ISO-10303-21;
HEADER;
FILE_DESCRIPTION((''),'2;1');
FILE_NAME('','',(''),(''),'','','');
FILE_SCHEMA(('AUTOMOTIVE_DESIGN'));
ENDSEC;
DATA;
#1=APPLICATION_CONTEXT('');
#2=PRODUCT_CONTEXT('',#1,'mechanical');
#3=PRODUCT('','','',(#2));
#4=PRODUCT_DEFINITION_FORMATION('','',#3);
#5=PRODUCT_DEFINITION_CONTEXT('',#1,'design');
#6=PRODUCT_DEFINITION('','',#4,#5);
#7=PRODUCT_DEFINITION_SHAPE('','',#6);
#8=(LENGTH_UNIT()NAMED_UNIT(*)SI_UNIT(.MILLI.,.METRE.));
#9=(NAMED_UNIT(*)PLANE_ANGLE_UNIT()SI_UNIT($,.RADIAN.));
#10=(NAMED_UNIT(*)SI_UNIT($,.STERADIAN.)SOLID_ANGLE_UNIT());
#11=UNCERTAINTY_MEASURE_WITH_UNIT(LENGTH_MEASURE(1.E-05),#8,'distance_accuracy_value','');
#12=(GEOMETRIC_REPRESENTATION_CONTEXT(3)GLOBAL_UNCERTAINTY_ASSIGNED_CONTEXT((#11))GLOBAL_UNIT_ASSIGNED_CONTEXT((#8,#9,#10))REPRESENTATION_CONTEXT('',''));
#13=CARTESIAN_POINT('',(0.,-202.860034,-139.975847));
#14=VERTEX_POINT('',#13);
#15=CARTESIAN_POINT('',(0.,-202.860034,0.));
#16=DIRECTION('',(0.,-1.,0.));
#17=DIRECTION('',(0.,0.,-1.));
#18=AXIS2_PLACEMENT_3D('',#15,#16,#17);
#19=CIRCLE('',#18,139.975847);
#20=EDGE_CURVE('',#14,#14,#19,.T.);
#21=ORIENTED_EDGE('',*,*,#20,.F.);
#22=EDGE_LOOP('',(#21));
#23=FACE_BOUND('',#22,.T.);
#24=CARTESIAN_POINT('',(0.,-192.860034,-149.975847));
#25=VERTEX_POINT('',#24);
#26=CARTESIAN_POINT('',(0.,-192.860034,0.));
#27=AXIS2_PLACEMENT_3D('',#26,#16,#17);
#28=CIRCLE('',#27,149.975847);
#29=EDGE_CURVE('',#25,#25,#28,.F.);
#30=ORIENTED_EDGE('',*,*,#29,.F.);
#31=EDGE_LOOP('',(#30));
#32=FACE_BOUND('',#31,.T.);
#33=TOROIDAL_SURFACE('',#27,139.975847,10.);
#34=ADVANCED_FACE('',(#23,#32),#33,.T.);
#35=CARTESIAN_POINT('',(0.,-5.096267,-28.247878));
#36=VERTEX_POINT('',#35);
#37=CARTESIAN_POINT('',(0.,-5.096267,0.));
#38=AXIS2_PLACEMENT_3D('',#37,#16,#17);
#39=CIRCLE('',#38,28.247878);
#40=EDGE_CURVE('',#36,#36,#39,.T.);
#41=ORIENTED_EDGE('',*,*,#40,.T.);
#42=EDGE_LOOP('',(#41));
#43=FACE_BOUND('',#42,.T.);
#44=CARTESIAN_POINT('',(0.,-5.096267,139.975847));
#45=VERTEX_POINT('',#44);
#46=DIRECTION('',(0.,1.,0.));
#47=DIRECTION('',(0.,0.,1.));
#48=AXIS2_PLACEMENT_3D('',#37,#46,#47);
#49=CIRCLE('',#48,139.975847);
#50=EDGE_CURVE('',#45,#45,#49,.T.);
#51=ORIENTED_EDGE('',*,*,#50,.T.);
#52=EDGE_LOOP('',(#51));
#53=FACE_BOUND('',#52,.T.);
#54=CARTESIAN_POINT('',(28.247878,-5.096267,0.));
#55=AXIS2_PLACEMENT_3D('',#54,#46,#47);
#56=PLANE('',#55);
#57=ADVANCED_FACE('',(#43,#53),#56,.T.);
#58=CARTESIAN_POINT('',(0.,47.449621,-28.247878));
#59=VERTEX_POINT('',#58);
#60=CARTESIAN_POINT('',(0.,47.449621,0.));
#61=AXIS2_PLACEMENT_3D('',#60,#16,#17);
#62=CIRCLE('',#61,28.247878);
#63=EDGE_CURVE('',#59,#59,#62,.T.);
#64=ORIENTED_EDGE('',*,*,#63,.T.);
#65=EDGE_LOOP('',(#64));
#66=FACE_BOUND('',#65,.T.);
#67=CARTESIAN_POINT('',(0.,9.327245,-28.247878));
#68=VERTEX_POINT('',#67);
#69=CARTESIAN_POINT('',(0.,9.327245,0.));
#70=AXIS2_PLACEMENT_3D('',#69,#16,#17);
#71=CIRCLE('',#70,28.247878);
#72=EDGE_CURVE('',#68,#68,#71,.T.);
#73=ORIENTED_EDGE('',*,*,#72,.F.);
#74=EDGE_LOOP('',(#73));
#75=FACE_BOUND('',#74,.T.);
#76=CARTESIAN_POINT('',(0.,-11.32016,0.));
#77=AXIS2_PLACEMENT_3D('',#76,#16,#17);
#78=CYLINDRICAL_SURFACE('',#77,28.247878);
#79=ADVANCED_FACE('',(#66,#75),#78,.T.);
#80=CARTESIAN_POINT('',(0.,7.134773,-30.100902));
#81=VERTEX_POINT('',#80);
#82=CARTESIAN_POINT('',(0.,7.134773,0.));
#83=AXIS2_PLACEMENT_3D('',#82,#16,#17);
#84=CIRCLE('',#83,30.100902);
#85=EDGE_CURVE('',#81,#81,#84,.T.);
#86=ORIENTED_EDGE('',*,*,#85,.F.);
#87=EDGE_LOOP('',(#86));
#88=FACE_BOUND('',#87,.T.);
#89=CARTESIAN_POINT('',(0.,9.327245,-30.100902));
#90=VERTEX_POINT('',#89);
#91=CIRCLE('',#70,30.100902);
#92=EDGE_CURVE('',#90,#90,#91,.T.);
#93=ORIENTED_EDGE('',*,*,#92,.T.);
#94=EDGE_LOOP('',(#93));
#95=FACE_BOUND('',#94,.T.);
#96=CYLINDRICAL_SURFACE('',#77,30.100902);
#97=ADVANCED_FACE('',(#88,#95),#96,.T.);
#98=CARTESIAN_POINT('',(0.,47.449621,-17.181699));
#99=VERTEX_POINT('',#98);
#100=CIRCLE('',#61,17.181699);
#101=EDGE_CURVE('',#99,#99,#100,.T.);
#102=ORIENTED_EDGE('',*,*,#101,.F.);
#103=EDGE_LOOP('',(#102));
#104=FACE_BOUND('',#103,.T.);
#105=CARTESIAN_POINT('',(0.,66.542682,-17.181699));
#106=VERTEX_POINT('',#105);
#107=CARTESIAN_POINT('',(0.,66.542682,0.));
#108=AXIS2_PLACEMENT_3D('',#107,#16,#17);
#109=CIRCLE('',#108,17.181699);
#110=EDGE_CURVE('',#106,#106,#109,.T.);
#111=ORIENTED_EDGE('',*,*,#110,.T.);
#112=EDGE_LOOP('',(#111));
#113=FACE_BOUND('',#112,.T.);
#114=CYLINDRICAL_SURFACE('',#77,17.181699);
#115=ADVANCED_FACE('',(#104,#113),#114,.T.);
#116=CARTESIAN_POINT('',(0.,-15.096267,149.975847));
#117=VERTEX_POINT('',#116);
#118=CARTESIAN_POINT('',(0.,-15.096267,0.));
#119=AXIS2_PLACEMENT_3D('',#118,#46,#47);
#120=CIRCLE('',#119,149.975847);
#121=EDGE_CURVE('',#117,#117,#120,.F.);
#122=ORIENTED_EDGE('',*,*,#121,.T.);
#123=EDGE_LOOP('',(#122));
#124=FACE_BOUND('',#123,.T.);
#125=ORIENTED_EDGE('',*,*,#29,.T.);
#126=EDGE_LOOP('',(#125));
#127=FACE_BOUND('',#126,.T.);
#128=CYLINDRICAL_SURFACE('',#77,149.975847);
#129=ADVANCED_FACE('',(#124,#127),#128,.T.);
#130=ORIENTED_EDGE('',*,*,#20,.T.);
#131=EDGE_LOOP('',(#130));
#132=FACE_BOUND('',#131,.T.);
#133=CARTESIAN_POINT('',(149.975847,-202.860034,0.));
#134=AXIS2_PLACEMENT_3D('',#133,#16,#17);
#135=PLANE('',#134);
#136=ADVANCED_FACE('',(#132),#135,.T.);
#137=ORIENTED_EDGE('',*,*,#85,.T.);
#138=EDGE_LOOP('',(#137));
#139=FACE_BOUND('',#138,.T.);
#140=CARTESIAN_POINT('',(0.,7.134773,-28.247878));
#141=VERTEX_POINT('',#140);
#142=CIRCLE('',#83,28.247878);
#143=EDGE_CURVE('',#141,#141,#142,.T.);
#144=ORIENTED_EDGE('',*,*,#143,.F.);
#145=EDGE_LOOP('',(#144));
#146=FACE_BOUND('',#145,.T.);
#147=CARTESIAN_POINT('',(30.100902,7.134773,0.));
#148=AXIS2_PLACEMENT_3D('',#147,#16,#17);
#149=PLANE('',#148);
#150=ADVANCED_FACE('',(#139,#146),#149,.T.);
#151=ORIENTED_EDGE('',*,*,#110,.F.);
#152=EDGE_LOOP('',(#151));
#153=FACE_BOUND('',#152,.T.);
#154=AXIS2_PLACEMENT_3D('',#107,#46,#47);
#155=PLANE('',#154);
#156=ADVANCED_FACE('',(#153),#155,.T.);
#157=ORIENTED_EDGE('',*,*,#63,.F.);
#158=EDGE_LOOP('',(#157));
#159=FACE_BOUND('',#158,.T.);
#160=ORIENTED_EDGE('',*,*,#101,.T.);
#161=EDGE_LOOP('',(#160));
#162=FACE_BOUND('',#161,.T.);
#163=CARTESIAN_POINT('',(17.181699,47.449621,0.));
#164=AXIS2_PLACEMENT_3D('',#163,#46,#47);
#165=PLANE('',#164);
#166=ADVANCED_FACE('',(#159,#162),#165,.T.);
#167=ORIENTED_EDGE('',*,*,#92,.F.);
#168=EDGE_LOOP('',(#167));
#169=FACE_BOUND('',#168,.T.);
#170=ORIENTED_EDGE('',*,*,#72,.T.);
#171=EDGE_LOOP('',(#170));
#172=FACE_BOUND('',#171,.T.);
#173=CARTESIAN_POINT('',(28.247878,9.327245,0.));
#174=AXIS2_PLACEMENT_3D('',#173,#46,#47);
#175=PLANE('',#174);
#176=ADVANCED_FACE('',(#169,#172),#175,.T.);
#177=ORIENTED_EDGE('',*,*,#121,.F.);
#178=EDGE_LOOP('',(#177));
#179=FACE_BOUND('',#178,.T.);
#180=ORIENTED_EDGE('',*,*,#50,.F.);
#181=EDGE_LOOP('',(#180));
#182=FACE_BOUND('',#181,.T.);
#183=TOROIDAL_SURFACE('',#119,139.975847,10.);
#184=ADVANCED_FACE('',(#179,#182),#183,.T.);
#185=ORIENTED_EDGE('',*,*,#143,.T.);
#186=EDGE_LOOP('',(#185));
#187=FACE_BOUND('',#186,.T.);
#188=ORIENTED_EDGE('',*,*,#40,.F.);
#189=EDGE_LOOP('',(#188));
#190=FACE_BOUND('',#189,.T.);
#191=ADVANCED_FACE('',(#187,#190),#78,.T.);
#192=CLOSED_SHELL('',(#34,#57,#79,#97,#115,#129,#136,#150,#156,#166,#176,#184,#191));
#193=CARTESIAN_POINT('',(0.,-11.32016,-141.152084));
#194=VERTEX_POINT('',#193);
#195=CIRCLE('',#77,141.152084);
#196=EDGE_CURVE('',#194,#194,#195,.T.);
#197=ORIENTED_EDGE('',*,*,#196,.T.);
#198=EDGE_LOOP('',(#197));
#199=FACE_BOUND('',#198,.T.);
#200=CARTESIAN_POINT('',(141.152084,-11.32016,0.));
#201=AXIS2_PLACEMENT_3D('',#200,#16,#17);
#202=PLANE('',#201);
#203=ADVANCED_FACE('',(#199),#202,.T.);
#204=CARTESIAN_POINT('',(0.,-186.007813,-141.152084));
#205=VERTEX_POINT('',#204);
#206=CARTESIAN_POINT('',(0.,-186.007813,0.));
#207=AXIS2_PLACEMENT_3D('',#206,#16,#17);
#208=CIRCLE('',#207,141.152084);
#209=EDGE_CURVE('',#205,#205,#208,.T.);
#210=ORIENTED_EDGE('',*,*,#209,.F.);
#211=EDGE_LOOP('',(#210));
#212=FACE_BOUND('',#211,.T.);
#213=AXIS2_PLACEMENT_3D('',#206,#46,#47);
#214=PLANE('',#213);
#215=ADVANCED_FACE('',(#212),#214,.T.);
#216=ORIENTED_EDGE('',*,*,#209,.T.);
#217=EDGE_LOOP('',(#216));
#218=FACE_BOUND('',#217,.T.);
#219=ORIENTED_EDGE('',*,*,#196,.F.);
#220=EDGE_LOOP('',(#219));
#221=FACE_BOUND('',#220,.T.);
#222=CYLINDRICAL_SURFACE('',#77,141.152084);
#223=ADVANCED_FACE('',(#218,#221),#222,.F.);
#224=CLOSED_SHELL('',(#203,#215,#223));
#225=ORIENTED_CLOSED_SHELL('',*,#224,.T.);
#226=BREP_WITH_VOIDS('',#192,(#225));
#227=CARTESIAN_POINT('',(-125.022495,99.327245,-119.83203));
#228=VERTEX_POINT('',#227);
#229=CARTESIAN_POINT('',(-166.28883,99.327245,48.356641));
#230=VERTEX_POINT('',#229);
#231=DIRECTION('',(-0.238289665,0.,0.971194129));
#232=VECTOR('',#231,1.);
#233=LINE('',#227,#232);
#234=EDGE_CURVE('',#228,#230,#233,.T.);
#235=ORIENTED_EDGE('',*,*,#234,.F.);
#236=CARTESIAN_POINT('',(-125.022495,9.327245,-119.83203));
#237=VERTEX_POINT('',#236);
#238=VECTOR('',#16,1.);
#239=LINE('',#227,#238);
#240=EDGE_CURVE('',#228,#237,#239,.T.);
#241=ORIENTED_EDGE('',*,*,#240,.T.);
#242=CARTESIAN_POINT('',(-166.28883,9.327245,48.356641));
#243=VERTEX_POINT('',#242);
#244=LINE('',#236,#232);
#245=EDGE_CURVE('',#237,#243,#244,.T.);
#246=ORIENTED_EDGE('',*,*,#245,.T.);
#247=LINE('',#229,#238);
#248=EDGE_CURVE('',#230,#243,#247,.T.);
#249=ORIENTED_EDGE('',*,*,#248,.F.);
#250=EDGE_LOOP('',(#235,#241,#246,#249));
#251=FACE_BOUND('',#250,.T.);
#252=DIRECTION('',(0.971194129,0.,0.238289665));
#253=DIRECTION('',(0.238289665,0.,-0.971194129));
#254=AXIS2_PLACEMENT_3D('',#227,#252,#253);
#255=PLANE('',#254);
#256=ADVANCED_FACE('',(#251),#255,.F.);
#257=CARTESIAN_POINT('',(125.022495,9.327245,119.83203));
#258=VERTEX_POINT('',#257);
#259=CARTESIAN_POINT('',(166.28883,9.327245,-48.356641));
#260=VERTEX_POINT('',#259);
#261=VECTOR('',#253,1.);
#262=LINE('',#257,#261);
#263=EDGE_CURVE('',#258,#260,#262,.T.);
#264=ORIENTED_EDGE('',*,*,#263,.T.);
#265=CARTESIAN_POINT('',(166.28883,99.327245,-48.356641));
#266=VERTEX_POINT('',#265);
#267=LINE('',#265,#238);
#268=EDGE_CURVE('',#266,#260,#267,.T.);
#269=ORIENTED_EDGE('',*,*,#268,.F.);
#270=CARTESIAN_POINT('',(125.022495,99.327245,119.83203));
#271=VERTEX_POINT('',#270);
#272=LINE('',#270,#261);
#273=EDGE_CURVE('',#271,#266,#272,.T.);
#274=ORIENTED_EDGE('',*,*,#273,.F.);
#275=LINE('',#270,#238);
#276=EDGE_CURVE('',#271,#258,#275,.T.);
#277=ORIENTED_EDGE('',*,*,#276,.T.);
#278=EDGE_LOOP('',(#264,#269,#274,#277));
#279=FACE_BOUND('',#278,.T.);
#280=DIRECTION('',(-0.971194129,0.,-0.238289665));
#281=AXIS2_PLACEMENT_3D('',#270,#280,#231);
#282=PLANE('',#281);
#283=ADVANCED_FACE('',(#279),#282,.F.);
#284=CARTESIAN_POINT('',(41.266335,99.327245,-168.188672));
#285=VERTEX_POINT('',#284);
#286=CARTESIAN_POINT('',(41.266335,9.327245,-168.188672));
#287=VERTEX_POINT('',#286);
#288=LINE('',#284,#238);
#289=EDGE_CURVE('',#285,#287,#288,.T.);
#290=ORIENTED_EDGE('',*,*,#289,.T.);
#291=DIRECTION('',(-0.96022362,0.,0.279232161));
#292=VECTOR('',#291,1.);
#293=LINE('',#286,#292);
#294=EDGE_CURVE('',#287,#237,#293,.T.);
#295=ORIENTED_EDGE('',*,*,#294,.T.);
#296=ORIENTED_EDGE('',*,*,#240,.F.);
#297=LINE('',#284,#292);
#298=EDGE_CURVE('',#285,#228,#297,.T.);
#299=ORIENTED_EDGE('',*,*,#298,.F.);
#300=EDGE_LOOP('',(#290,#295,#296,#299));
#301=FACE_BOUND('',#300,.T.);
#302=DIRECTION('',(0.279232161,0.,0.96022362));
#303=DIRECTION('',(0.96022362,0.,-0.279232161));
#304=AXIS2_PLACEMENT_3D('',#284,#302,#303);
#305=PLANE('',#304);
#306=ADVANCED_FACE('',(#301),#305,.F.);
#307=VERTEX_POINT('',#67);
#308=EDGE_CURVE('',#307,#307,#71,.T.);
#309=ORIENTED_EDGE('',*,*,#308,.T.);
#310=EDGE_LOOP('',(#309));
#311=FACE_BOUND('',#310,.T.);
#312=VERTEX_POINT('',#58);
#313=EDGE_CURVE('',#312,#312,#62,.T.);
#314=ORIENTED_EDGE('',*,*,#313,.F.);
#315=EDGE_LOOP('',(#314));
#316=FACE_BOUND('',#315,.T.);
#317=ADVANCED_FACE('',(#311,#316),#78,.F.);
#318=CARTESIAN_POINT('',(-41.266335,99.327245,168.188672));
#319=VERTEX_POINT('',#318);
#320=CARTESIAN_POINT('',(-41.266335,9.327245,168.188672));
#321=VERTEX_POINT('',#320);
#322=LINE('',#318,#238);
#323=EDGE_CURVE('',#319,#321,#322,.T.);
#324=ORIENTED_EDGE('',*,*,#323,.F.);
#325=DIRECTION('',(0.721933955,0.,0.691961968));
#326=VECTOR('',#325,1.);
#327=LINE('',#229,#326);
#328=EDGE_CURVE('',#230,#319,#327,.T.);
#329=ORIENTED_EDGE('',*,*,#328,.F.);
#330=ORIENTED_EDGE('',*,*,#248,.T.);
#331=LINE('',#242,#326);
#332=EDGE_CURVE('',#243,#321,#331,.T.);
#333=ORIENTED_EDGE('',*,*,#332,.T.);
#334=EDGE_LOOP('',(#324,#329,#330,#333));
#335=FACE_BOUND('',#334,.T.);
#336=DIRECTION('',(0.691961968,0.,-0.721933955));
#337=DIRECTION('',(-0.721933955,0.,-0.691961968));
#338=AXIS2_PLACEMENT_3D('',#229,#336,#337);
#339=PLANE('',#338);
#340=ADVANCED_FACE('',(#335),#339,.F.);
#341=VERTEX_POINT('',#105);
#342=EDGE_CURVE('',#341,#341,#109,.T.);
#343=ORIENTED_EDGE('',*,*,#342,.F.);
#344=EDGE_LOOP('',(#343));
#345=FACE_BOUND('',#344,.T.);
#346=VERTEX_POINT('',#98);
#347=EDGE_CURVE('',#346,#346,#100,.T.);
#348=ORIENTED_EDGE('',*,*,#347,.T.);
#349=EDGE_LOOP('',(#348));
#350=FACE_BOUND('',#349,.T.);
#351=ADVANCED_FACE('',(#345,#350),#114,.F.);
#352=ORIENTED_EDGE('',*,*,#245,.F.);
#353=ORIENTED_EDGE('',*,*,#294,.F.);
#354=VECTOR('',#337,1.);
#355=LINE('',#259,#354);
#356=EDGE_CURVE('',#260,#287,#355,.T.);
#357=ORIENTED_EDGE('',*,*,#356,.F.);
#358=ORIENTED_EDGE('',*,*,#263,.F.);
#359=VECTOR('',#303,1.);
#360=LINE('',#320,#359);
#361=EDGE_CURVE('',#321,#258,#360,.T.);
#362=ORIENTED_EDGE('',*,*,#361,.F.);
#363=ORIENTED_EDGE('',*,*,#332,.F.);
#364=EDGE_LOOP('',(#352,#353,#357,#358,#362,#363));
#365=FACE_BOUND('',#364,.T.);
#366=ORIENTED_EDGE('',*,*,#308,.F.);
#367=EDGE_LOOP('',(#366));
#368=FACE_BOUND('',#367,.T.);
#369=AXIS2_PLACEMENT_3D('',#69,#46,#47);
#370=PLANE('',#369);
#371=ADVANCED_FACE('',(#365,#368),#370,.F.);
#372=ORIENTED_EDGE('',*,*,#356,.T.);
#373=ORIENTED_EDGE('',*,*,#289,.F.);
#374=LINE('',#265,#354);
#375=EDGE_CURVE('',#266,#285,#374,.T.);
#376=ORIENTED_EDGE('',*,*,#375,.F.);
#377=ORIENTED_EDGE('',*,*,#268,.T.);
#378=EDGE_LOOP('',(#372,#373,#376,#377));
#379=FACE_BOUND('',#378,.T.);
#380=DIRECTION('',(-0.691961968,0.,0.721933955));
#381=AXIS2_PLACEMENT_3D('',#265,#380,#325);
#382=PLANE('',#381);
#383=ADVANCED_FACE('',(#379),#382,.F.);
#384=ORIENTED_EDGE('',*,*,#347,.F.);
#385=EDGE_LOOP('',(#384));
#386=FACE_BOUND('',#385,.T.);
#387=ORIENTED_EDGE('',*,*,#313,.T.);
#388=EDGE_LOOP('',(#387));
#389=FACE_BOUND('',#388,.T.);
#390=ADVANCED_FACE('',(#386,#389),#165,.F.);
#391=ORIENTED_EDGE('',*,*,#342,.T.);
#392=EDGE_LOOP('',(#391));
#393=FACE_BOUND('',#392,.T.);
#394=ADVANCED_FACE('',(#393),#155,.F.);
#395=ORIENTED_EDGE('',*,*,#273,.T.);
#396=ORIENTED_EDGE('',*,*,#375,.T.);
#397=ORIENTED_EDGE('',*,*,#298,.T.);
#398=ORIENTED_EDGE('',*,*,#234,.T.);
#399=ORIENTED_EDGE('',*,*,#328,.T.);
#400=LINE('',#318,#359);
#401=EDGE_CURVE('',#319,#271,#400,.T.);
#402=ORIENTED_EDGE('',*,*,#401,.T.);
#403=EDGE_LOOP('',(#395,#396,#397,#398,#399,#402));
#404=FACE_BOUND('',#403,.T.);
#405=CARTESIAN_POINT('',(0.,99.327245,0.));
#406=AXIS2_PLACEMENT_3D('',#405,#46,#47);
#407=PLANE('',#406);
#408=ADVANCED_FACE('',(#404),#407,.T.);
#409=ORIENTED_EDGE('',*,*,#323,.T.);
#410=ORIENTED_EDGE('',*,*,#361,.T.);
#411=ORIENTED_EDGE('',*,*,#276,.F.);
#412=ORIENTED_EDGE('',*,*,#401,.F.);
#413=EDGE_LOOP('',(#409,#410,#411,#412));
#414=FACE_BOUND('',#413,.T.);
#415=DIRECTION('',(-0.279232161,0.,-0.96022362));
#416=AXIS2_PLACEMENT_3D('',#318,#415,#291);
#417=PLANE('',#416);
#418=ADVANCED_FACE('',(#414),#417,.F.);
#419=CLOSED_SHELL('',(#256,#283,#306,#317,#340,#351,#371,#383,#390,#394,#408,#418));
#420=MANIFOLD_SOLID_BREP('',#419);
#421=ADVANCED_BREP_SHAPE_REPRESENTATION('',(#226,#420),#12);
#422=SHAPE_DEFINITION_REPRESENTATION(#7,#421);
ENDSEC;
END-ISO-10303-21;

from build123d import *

# Parameters (mm, degrees)
FILLET_1_R      = 10
FILLET_2_R      = 10
EXTRUDE_1_DEPTH = 90


with BuildPart() as part:
    # Эскиз1 → Повернуть1 (revolve)
    with BuildSketch(Plane.XY):
        Polygon((0, 66.542681753), (17.181699008, 66.542681753), (17.181699008, 47.449620601), (28.247878031, 47.449620601), (28.247878031, 9.327244829), (30.100902096, 9.327244829), (30.100902096, 7.134773317), (28.247878031, 7.134773317), (28.247878031, -5.096266655), (149.975847277, -5.096266655), (149.975847277, -202.860033708), (0, -202.860033708), (0, -186.007813089), (141.152083847, -186.007813089), (141.152083847, -11.320160326), (0, -11.320160326), align=None)
    revolve(axis=Axis((0, -11.320160326, 0), (0, 1, 0)))

    # Скругление1
    fillet_1_edges = [part.edges().sort_by_distance(p)[0] for p in [
        (-149.975847277, -5.096266655, 0),
    ]]
    fillet(fillet_1_edges, radius=FILLET_1_R)

    # Скругление2
    fillet_2_edges = [part.edges().sort_by_distance(p)[0] for p in [
        (-149.975847277, -202.860033708, 0),
    ]]
    fillet(fillet_2_edges, radius=FILLET_2_R)


with BuildPart() as body_2:
    # Эскиз2 → Бобышка-Вытянуть1 (new body)
    with BuildSketch(Plane(origin=(0, 9.327244829, 0), x_dir=(1, 0, 0), z_dir=(0, 1, 0))):
        Polygon((-125.022494836, 119.832030249), (-166.288829801, -48.356641448), (-41.266334965, -168.188671697), (125.022494836, -119.832030249), (166.288829801, 48.356641448), (41.266334965, 168.188671697), align=None)
    extrude(amount=EXTRUDE_1_DEPTH)

    # Эскиз1<3> → Вырез-Повернуть1 (revolve, cut)
    with BuildSketch(Plane.XY):
        Polygon((0, 66.542681753), (17.181699008, 66.542681753), (17.181699008, 47.449620601), (28.247878031, 47.449620601), (28.247878031, 9.327244829), (30.100902096, 9.327244829), (30.100902096, 7.134773317), (28.247878031, 7.134773317), (28.247878031, -5.096266655), (149.975847277, -5.096266655), (149.975847277, -202.860033708), (0, -202.860033708), (0, -186.007813089), (141.152083847, -186.007813089), (141.152083847, -11.320160326), (0, -11.320160326), align=None)
    revolve(axis=Axis((0, -11.320160326, 0), (0, 1, 0)), mode=Mode.SUBTRACT)


solid = Compound([part.part, body_2.part])
